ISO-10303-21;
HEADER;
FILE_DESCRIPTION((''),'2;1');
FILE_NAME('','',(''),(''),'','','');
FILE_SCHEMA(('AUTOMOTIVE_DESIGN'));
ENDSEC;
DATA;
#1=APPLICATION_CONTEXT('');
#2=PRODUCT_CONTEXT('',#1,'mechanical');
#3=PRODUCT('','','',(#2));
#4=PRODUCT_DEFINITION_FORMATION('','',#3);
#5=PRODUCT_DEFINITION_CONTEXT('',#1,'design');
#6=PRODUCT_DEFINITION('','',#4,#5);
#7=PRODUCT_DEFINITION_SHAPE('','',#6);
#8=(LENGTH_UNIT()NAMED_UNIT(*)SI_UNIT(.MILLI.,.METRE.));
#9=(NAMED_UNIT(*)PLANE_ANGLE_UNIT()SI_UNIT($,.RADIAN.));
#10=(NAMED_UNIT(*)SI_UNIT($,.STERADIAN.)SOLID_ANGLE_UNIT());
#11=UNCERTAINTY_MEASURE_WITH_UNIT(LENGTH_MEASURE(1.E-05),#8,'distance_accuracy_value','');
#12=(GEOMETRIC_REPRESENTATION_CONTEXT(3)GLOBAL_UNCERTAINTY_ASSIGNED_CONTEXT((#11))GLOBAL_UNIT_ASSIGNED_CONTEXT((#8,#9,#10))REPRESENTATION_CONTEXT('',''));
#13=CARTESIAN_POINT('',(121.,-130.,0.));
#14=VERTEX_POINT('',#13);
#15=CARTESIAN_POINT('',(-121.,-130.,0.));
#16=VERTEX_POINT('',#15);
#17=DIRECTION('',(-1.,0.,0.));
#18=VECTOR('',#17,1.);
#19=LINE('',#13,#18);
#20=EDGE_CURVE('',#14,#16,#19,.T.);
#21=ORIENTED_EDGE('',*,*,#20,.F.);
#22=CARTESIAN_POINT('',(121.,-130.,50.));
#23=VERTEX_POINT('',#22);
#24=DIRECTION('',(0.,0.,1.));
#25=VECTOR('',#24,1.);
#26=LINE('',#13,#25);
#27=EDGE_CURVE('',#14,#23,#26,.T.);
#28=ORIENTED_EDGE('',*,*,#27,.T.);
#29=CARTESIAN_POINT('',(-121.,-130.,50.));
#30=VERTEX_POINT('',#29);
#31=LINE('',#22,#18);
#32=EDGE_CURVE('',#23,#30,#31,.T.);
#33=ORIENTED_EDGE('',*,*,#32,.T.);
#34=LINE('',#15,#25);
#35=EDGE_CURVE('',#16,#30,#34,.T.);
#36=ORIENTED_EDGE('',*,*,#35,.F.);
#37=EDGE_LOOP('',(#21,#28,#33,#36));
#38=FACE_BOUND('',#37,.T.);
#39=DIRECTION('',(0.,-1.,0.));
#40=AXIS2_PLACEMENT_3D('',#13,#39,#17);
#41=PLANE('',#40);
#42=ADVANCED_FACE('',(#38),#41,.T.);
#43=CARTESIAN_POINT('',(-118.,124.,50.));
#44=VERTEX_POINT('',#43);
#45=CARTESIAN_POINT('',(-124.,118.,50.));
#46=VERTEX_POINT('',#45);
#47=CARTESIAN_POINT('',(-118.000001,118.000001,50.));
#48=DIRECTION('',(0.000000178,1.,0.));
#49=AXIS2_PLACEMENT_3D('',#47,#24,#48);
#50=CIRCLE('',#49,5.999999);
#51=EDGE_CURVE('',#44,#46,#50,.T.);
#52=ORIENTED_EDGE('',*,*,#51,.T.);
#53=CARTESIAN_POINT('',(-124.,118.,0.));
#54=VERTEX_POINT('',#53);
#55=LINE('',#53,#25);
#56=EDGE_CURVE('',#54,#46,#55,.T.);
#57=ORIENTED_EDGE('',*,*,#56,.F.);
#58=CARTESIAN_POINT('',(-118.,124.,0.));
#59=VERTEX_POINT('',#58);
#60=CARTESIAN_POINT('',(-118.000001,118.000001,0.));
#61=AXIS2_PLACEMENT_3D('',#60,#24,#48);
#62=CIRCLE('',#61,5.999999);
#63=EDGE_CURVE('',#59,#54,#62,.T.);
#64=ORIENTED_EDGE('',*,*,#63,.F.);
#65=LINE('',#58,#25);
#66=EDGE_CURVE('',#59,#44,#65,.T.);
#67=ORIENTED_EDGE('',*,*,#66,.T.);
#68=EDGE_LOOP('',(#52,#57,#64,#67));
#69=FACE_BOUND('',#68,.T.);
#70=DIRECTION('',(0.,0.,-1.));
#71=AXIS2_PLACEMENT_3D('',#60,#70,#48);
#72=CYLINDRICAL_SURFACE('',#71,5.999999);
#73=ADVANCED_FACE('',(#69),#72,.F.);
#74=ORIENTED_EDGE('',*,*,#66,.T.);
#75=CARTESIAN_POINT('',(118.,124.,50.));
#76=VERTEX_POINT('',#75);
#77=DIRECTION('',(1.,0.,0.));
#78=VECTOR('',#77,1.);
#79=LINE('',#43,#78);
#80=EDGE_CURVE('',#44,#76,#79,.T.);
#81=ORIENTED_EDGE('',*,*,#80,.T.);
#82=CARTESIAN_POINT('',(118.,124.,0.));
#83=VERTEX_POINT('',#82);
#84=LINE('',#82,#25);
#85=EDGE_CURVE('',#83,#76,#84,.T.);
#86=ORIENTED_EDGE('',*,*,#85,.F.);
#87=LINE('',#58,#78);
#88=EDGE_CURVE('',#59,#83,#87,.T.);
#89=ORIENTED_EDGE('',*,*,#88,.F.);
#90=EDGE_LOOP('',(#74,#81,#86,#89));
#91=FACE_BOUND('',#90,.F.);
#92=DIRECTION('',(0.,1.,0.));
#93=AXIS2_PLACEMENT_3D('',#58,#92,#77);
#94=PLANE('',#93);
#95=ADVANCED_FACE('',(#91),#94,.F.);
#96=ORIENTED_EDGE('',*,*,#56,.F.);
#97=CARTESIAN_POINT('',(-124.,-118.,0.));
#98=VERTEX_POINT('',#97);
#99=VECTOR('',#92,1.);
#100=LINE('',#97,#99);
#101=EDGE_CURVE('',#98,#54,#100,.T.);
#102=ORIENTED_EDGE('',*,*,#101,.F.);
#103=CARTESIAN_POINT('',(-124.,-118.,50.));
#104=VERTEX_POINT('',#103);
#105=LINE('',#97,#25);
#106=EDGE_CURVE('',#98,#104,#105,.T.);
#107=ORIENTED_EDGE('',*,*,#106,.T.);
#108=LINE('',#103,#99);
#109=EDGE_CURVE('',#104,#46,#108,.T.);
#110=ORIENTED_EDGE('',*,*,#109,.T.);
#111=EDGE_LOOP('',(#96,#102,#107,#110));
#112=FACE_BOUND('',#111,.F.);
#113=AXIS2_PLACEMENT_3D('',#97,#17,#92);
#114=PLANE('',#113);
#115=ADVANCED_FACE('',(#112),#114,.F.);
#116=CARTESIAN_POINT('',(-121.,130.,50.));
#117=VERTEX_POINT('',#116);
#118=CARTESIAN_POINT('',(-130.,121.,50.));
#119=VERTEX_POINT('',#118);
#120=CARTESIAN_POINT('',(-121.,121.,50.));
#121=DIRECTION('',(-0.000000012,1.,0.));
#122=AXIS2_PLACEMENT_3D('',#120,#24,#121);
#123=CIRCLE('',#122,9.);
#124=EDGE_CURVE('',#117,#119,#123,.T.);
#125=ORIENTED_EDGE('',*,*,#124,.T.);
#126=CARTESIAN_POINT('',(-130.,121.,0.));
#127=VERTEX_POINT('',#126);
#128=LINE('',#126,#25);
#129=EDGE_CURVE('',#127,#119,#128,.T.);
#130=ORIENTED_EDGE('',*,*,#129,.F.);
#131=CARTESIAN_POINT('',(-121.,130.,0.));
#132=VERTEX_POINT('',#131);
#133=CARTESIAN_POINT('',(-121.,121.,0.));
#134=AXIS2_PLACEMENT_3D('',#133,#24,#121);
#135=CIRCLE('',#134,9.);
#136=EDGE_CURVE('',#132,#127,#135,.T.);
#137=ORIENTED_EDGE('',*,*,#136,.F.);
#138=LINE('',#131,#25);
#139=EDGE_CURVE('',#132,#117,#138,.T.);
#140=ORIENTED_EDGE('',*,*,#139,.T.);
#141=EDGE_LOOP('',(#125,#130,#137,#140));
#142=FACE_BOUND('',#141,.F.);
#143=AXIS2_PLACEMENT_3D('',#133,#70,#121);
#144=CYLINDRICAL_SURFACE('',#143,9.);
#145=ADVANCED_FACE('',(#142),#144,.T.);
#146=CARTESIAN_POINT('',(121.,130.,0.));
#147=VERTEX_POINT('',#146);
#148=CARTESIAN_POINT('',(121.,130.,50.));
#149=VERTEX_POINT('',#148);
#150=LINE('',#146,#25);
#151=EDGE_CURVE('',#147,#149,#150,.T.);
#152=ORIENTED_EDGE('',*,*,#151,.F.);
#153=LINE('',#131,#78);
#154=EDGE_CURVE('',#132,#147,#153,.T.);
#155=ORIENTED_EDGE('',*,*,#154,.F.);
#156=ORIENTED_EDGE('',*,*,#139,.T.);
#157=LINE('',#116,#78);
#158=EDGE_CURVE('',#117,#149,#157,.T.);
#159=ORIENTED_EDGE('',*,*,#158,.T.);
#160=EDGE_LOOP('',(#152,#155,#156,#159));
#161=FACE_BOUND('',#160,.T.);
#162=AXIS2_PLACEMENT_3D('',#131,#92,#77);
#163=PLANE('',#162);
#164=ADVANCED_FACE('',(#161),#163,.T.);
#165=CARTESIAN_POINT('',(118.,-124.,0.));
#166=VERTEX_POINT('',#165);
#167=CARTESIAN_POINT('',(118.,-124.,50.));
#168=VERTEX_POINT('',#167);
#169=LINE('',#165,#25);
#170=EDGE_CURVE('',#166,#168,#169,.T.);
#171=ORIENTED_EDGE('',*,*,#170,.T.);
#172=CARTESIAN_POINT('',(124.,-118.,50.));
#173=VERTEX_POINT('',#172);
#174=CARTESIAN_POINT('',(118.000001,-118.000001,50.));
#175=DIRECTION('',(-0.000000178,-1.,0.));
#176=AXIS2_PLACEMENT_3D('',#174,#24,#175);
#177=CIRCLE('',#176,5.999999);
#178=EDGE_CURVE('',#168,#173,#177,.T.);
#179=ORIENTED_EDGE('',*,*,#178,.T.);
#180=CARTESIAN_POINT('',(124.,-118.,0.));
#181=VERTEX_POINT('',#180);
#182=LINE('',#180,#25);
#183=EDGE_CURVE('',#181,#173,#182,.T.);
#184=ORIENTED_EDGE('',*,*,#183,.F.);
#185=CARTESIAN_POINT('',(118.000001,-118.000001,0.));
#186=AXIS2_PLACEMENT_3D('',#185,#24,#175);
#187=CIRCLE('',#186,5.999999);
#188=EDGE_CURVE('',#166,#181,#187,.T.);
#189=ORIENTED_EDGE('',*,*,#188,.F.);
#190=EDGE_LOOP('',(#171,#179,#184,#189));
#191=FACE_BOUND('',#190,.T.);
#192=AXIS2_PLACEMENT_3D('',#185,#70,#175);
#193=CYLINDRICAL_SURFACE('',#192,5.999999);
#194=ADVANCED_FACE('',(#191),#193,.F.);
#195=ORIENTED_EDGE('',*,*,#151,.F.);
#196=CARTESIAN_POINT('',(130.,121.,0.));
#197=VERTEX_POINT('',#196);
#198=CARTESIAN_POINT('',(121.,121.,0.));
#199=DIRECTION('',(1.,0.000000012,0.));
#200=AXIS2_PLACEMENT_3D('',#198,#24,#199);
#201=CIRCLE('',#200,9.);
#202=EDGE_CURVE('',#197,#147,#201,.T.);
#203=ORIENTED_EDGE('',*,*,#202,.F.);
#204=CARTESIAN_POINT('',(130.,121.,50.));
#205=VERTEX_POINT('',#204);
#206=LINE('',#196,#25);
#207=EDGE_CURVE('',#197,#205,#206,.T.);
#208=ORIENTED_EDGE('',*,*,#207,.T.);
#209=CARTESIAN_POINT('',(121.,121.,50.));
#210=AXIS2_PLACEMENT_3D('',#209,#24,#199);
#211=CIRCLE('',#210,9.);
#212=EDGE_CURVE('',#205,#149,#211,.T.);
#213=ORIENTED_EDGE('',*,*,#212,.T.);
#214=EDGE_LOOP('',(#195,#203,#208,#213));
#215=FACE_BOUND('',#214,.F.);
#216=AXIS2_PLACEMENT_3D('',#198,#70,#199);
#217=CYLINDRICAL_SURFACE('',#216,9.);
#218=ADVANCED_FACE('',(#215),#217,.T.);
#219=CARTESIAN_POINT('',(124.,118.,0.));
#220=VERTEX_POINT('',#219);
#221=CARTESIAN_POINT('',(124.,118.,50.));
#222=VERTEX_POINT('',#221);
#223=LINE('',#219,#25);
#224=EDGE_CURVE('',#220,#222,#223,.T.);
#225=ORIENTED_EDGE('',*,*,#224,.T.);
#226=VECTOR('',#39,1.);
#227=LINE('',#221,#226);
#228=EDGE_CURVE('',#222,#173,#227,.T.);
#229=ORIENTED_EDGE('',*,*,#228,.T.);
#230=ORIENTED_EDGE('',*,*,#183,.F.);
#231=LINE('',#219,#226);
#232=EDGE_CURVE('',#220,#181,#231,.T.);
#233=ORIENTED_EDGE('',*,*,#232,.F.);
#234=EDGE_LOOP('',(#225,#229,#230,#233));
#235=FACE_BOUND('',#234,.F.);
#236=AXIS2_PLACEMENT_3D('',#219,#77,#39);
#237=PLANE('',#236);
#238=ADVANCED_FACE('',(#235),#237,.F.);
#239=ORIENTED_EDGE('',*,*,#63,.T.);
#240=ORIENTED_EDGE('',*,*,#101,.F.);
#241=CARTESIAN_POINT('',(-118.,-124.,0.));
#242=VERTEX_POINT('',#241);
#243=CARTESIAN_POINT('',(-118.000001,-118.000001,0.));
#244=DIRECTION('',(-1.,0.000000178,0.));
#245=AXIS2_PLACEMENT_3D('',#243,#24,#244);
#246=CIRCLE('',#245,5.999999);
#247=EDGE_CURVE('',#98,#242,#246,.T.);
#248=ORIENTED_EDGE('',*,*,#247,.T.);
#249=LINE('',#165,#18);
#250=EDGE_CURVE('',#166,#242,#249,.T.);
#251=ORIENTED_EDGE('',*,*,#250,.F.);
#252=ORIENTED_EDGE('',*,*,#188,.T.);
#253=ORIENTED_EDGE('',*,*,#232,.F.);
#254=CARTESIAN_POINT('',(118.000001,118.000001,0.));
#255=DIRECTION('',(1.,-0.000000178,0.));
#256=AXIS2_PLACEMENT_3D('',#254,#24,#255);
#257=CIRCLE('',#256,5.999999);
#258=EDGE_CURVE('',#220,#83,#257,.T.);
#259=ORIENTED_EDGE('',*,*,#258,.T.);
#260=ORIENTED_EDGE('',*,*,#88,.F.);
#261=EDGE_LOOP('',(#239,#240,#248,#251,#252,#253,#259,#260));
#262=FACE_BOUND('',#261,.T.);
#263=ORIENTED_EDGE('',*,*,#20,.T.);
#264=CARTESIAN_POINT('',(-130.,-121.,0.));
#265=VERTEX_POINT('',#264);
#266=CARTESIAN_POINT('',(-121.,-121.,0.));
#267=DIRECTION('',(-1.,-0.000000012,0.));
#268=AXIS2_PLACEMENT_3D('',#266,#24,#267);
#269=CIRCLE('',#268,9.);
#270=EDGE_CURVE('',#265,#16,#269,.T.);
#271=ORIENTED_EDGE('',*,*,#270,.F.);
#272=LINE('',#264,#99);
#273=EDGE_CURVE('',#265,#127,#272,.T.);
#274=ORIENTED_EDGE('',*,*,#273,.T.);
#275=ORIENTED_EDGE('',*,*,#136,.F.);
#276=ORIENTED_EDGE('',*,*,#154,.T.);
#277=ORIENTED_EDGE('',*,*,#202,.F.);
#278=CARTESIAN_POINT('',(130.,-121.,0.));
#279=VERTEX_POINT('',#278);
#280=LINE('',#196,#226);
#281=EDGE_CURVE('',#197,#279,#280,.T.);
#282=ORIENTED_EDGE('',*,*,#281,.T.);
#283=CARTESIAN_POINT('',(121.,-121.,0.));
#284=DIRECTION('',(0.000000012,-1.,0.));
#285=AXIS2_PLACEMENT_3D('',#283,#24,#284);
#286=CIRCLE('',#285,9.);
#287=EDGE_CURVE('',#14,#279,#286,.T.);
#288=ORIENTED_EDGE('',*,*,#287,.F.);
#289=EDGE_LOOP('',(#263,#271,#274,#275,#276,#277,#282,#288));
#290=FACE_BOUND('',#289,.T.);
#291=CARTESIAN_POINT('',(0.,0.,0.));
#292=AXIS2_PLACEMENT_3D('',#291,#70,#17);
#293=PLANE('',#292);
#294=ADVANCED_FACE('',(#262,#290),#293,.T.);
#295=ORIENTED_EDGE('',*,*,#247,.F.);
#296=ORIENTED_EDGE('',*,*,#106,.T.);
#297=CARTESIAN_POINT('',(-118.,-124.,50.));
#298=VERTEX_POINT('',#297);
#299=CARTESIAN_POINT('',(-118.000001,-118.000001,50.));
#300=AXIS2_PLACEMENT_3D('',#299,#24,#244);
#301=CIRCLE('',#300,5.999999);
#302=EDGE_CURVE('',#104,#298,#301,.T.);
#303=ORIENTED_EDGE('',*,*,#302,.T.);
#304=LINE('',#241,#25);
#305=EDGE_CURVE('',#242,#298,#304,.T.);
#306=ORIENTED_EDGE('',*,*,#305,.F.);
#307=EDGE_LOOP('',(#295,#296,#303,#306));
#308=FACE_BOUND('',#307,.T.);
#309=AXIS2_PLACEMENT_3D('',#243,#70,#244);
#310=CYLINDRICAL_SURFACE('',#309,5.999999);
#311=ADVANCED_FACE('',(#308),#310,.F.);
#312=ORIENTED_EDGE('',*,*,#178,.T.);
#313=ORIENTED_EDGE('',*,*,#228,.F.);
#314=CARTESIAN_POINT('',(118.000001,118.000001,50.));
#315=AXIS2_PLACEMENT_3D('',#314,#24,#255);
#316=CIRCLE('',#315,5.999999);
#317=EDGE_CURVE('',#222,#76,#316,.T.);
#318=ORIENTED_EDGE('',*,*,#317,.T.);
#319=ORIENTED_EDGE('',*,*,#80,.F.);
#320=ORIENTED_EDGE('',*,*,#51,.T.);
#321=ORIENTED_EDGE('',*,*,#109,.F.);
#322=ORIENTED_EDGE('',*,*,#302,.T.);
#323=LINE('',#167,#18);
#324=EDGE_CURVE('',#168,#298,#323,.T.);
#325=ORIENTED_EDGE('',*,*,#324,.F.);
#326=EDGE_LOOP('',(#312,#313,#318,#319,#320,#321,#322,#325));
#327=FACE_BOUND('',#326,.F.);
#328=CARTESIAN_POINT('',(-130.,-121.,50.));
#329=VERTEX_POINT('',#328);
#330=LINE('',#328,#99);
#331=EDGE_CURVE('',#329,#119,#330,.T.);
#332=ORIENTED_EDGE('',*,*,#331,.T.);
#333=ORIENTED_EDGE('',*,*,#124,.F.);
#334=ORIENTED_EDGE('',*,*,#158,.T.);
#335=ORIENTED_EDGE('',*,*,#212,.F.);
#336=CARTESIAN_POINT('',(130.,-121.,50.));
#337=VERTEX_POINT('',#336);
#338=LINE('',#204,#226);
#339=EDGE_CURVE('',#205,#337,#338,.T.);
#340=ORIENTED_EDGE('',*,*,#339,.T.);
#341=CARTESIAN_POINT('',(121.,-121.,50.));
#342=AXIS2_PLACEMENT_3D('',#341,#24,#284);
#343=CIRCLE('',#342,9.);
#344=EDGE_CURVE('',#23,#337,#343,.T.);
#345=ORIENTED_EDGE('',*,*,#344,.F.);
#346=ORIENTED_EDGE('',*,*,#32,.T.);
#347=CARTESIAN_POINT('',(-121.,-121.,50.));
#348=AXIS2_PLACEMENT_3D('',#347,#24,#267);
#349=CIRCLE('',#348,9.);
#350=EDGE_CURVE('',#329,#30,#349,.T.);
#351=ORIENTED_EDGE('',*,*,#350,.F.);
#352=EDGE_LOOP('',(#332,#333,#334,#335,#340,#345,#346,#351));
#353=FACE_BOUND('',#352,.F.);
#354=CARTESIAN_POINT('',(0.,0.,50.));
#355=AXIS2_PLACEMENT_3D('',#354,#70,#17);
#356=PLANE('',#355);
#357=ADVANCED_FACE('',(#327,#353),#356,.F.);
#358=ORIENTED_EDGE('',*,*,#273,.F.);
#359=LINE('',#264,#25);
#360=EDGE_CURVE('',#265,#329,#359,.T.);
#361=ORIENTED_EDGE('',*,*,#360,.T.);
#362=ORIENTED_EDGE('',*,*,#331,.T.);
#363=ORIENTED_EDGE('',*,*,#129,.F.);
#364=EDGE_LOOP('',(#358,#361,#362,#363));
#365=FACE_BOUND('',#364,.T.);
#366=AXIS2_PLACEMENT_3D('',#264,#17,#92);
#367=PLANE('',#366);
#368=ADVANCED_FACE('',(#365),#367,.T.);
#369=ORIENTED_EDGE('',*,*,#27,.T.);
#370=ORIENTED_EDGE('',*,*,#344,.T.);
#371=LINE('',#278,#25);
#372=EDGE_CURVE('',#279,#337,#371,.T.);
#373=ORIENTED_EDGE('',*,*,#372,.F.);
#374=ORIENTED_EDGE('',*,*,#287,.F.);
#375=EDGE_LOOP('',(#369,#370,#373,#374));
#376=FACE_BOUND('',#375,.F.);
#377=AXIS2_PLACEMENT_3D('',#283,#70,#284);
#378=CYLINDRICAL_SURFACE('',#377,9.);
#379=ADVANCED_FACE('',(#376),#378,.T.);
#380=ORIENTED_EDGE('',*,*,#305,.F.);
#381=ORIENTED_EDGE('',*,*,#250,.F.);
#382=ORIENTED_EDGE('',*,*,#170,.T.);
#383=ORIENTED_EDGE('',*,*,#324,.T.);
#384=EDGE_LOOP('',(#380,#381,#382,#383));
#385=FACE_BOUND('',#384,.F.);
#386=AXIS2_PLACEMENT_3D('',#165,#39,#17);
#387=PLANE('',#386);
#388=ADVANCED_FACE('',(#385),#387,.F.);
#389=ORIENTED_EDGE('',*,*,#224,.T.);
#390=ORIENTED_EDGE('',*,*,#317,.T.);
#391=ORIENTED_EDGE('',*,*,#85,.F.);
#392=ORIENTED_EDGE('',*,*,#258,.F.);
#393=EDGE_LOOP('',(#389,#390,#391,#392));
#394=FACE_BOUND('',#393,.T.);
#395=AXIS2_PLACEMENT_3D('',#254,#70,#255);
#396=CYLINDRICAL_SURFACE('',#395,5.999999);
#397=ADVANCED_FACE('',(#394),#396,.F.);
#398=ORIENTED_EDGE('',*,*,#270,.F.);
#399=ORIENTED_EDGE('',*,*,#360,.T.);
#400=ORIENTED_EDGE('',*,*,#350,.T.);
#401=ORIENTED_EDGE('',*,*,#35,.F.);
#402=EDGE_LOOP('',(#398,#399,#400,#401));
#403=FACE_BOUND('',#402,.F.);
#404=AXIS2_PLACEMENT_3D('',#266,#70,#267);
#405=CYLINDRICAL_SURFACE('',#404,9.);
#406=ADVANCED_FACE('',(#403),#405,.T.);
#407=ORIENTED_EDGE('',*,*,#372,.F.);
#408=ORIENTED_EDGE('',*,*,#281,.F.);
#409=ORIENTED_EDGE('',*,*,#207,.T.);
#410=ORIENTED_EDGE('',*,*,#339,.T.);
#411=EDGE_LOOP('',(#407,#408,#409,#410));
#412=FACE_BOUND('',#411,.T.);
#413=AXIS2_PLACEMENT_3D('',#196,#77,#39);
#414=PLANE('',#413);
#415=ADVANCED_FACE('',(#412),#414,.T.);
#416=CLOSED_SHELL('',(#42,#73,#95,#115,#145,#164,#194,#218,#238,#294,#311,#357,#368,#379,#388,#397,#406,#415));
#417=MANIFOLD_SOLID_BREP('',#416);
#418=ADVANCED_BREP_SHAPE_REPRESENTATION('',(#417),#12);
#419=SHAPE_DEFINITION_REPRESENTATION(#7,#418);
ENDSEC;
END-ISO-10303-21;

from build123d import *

# Parameters (mm, degrees)
EXTRUDE_DEPTH = 50


with BuildPart() as part:
    # Sketch → Extrude (new body)
    with BuildSketch(Plane.XY):
        with BuildLine():
            Line((-121, 130), (121, 130))
            ThreePointArc((130, 121), (127.363961, 127.363961), (121, 130))
            Line((130, 121), (130, -121))
            ThreePointArc((121, -130), (127.363961, -127.363961), (130, -121))
            Line((121, -130), (-121, -130))
            ThreePointArc((-130, -121), (-127.363961, -127.363961), (-121, -130))
            Line((-130, -121), (-130, 121))
            ThreePointArc((-121, 130), (-127.363961, 127.363961), (-130, 121))
        make_face()
        with BuildLine():
            Line((-118, 124), (118, 124))
            ThreePointArc((124, 118), (122.242641, 122.242641), (118, 124))
            Line((124, 118), (124, -118))
            ThreePointArc((118, -124), (122.242641, -122.242641), (124, -118))
            Line((118, -124), (-118, -124))
            ThreePointArc((-124, -118), (-122.242641, -122.242641), (-118, -124))
            Line((-124, -118), (-124, 118))
            ThreePointArc((-118, 124), (-122.242641, 122.242641), (-124, 118))
        make_face(mode=Mode.SUBTRACT)
    extrude(amount=EXTRUDE_DEPTH)


solid = part.part
